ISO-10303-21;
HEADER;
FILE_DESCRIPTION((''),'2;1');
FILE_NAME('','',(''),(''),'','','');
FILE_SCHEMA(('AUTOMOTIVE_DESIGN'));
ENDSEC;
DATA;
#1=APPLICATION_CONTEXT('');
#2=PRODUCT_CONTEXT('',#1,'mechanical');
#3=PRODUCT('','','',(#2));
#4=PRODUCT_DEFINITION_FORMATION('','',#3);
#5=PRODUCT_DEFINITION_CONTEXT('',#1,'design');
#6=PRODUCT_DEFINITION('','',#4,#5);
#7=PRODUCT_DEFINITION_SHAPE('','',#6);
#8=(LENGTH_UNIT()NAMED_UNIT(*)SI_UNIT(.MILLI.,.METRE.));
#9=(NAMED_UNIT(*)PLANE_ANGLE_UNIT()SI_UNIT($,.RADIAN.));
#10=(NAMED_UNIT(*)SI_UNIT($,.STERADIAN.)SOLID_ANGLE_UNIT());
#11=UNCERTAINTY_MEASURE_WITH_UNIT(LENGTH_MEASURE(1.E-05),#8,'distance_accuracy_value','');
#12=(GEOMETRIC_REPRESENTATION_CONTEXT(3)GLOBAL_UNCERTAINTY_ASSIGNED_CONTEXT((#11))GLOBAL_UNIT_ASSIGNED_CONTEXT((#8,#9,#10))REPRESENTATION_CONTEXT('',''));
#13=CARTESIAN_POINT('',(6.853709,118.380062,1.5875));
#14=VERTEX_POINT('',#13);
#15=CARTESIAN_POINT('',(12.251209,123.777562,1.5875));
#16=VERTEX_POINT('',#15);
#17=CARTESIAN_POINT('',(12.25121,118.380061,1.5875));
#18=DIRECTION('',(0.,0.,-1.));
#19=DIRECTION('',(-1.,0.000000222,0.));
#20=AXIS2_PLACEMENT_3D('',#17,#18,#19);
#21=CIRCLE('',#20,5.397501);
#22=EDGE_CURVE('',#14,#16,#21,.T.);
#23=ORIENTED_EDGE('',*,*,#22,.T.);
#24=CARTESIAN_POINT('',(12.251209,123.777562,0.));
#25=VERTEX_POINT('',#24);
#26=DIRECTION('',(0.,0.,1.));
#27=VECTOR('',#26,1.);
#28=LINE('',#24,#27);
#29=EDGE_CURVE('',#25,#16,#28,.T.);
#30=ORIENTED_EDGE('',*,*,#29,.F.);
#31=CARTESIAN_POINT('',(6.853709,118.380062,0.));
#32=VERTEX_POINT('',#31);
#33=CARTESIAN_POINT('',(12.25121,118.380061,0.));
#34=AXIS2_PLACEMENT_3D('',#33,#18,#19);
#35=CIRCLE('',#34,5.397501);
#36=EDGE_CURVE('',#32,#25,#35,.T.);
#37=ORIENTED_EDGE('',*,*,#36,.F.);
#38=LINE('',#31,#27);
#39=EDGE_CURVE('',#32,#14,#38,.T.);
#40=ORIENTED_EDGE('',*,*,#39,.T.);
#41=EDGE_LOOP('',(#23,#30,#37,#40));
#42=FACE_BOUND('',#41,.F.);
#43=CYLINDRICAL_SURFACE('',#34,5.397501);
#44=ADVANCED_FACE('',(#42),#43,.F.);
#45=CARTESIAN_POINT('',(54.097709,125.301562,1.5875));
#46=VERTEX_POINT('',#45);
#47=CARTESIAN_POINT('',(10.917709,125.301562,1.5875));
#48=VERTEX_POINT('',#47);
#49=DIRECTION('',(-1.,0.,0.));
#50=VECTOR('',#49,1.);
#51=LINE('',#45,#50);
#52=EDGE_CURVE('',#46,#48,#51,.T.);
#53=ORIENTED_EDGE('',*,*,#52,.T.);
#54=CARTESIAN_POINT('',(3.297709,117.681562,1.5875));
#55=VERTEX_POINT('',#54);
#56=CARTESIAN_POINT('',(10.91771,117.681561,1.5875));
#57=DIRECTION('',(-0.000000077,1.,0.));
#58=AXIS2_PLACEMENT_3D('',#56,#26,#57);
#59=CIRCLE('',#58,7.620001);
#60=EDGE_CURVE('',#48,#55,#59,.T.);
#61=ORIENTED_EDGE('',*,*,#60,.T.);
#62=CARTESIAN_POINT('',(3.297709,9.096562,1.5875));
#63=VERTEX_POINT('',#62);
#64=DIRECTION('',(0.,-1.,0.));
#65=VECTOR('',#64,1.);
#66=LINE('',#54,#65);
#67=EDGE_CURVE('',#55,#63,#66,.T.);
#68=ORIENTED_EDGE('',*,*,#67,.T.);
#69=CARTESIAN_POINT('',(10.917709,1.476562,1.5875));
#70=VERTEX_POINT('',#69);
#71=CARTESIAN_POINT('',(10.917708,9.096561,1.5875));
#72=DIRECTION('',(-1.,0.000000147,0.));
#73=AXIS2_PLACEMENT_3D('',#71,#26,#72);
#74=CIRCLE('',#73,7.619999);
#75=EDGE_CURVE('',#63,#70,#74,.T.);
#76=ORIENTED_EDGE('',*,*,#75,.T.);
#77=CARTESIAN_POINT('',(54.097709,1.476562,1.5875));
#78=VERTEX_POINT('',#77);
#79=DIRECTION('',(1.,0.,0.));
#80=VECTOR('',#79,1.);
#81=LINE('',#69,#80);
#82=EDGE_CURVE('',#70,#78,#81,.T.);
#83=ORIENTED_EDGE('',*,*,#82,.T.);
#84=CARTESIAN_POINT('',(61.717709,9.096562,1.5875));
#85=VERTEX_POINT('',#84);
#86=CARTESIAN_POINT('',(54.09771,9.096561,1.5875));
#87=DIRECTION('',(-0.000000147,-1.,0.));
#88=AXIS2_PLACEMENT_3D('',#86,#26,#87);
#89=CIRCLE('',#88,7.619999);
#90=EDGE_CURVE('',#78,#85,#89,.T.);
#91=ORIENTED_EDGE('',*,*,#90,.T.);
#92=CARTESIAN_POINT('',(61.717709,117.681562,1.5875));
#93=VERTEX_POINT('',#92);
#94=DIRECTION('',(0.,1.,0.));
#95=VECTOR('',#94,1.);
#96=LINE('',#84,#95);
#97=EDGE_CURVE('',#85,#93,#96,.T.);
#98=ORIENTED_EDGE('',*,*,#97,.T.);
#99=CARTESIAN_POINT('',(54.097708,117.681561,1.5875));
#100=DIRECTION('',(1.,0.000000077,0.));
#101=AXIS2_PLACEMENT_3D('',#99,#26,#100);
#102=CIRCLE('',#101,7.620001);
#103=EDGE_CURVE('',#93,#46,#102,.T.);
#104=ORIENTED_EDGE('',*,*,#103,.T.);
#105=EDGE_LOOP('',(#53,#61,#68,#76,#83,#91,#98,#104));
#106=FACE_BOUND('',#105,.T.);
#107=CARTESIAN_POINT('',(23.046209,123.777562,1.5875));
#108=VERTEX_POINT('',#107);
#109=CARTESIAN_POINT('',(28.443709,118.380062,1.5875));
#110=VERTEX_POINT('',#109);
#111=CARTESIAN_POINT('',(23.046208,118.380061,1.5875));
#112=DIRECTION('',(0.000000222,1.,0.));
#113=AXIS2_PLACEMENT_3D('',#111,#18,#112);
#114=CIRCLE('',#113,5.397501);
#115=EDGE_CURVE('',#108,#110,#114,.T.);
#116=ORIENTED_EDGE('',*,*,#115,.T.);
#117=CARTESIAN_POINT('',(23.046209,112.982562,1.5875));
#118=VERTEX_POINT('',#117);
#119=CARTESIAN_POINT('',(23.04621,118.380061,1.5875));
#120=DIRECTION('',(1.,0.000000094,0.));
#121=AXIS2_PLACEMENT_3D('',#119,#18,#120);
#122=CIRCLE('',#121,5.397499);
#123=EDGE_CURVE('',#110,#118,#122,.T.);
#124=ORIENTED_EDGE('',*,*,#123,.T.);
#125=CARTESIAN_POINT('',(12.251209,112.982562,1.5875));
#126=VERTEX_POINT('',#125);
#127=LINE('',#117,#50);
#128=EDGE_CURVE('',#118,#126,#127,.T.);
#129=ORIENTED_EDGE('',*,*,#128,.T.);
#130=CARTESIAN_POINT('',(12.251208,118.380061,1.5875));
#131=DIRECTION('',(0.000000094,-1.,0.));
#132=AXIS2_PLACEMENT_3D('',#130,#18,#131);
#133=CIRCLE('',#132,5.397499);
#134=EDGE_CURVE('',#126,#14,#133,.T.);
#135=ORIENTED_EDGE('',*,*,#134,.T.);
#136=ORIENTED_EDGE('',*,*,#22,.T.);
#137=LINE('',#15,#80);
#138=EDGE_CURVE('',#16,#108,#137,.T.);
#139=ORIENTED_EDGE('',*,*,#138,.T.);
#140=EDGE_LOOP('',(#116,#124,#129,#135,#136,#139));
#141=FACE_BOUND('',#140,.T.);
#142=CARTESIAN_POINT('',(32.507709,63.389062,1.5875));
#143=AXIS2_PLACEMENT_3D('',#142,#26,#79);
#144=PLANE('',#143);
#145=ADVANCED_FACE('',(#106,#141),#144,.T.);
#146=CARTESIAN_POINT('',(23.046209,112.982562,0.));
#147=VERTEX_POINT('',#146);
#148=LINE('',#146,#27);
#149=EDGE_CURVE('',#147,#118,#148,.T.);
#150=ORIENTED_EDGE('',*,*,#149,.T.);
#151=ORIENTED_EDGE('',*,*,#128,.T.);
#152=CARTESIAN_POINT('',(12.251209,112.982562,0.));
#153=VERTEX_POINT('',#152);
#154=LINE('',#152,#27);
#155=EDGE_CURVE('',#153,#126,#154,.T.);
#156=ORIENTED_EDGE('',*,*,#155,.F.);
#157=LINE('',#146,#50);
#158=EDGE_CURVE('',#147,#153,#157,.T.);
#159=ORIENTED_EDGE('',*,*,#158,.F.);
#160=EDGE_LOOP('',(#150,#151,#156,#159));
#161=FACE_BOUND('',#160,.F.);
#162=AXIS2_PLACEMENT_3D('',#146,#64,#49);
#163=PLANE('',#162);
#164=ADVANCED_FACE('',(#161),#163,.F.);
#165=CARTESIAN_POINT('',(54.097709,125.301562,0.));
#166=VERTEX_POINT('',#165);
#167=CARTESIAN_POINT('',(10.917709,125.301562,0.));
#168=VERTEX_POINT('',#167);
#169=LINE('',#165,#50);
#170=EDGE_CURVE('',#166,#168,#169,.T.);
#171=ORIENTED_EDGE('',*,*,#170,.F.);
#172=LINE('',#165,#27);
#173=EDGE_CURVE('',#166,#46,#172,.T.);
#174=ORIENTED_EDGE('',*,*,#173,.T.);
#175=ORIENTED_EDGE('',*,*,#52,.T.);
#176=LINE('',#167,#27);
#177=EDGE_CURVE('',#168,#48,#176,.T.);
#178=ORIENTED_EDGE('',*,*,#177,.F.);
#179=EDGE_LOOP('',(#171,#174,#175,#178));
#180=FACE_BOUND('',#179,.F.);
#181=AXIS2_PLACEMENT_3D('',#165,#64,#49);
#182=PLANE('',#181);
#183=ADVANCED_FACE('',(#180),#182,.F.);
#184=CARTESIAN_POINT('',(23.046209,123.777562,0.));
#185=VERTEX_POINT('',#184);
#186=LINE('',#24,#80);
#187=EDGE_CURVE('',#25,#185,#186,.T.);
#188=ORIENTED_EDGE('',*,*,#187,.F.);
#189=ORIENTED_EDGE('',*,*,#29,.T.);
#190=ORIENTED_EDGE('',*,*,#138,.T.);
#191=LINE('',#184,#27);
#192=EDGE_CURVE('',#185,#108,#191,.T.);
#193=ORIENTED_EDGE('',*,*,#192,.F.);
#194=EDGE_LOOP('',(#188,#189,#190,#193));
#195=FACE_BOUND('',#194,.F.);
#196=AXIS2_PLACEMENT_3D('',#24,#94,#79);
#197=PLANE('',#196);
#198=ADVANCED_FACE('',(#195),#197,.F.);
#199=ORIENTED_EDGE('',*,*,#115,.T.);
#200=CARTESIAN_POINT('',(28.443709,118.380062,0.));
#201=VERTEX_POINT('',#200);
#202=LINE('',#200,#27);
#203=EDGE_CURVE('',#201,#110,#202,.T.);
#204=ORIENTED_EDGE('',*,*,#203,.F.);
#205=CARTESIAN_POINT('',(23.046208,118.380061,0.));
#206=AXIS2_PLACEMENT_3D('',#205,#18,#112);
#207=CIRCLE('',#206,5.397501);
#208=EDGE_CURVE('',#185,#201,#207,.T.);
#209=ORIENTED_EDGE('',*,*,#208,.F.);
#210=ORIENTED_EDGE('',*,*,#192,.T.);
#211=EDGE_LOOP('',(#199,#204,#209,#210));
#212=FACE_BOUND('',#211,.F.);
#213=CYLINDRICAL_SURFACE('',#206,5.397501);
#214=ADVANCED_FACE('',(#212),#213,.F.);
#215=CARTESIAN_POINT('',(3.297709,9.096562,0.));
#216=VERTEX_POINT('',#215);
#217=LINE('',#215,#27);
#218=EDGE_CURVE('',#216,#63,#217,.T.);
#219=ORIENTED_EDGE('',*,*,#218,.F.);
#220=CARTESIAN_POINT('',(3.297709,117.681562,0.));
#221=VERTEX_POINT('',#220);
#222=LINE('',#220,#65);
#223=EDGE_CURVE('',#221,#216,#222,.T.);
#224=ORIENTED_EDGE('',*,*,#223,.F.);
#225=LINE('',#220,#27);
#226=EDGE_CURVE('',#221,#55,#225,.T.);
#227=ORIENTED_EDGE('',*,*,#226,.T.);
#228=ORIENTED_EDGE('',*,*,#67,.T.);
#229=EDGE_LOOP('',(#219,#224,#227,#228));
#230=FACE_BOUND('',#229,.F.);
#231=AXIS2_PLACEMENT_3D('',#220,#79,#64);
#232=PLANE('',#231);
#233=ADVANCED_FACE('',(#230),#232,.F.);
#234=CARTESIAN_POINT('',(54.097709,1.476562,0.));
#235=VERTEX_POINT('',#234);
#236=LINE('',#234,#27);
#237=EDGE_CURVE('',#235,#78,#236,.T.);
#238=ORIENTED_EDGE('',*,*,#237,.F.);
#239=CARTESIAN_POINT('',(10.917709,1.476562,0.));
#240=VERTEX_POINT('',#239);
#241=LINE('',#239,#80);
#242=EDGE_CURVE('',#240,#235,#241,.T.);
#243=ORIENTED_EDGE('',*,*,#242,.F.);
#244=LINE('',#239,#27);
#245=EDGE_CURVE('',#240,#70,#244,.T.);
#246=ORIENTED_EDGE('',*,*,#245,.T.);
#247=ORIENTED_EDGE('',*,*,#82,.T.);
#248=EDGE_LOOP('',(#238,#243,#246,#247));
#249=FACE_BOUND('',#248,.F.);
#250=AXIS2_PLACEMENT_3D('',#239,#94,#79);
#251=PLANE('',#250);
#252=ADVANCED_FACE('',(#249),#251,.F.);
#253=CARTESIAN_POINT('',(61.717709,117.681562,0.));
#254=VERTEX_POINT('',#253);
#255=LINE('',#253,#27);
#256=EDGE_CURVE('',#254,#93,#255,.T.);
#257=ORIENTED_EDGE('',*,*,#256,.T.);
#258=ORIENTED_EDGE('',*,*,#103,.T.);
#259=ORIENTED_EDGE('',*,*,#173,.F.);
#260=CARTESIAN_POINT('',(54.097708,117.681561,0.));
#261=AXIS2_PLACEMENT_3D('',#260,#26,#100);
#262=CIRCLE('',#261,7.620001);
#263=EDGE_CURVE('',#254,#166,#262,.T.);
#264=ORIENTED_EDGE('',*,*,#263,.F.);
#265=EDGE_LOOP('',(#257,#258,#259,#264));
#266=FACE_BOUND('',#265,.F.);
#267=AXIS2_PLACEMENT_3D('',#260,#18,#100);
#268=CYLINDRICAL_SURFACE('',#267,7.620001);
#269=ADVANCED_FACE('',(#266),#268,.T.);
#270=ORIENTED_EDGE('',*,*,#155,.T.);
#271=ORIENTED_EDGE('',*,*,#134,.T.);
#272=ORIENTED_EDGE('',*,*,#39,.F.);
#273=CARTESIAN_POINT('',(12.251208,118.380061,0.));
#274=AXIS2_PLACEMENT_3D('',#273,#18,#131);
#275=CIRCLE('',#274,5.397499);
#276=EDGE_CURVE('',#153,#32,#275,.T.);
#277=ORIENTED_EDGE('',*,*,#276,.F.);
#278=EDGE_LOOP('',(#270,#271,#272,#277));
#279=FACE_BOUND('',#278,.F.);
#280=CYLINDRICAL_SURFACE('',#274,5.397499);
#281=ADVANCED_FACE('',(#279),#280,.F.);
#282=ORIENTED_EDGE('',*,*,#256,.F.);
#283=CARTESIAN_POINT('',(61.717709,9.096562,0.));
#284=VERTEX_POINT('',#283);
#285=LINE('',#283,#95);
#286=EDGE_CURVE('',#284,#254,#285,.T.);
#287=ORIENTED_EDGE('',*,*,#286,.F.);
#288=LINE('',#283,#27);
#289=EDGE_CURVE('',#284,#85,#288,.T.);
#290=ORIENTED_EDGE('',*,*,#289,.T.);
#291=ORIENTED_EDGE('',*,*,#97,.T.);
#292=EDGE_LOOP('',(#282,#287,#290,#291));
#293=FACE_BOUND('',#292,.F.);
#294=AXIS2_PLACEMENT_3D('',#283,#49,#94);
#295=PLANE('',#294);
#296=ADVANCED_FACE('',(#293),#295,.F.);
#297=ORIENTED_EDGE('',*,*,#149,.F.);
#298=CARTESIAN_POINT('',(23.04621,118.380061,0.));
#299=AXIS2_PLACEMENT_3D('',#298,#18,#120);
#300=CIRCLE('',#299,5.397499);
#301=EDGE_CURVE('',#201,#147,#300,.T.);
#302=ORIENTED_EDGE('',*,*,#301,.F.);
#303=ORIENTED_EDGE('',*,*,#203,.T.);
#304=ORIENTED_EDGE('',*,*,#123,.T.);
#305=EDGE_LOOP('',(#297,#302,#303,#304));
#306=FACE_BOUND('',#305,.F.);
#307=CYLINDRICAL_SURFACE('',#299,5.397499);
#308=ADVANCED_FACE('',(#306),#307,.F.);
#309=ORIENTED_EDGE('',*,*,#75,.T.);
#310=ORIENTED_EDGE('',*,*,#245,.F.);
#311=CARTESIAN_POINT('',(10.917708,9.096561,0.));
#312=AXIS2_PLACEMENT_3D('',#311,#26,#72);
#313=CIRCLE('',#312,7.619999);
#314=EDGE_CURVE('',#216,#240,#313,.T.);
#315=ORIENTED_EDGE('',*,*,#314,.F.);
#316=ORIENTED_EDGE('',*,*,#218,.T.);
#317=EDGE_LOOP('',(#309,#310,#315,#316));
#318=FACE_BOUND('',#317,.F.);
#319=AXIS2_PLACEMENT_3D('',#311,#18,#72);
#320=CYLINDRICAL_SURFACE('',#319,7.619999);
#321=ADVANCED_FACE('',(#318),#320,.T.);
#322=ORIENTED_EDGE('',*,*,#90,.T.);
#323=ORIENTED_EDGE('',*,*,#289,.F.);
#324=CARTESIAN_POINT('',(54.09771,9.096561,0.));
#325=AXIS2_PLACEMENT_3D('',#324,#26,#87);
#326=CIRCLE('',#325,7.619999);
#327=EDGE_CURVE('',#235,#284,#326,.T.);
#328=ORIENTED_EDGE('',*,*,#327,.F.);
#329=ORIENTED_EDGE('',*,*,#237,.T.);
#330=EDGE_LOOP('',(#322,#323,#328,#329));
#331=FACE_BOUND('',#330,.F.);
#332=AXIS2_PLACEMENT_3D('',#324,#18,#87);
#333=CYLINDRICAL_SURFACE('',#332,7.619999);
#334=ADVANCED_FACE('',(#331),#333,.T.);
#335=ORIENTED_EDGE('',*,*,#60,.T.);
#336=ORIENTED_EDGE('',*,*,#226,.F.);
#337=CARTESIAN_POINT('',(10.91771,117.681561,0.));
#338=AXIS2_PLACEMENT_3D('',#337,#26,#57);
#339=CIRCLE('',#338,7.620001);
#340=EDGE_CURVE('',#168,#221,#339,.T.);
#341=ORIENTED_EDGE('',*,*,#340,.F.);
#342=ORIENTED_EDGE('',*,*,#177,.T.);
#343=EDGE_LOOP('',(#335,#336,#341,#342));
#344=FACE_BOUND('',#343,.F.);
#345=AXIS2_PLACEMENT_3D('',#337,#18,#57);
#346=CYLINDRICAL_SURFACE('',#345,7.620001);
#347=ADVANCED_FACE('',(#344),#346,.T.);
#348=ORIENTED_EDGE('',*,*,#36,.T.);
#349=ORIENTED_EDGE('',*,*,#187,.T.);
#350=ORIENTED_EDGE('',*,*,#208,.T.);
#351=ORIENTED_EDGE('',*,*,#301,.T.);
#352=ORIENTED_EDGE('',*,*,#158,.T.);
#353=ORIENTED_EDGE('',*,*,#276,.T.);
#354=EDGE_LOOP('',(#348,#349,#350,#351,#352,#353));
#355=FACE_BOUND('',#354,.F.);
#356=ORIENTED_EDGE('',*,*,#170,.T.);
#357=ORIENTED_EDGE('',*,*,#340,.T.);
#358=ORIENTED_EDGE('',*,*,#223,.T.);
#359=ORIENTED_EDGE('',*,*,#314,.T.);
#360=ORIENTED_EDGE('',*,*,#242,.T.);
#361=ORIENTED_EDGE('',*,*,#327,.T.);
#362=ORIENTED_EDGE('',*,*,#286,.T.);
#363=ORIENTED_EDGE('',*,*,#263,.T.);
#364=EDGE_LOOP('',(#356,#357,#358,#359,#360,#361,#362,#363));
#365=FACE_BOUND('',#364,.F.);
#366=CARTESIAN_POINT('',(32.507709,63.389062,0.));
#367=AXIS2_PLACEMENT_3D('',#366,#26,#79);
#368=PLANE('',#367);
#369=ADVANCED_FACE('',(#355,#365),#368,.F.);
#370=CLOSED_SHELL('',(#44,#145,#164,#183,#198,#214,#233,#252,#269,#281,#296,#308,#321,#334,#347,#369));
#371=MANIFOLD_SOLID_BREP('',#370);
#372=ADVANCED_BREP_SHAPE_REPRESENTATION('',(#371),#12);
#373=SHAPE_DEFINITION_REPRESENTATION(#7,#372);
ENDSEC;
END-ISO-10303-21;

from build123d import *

# Parameters (mm, degrees)
F1_DEPTH = 1.5875


with BuildPart() as f1:
    # F0 (on Top) → F1 (new body)
    with BuildSketch(Plane.XY):
        with BuildLine():
            Line((54.097709, 125.301562), (10.917709, 125.301562))
            ThreePointArc((10.917709, 125.301562), (5.529555, 123.069715), (3.297709, 117.681562))
            Line((3.297709, 117.681562), (3.297709, 9.096562))
            ThreePointArc((3.297709, 9.096562), (5.529555, 3.708408), (10.917709, 1.476562))
            Line((10.917709, 1.476562), (54.097709, 1.476562))
            ThreePointArc((54.097709, 1.476562), (59.485863, 3.708408), (61.717709, 9.096562))
            Line((61.717709, 9.096562), (61.717709, 117.681562))
            ThreePointArc((61.717709, 117.681562), (59.485863, 123.069715), (54.097709, 125.301562))
        make_face()
        with BuildLine():
            ThreePointArc((28.443709, 118.380062), (26.862818, 114.563453), (23.046209, 112.982562))
            Line((23.046209, 112.982562), (12.251209, 112.982562))
            ThreePointArc((12.251209, 112.982562), (8.4346, 114.563453), (6.853709, 118.380062))
            ThreePointArc((6.853709, 118.380062), (8.4346, 122.19667), (12.251209, 123.777562))
            Line((12.251209, 123.777562), (23.046209, 123.777562))
            ThreePointArc((23.046209, 123.777562), (26.862818, 122.19667), (28.443709, 118.380062))
        make_face(mode=Mode.SUBTRACT)
    extrude(amount=F1_DEPTH)


solid = f1.part
